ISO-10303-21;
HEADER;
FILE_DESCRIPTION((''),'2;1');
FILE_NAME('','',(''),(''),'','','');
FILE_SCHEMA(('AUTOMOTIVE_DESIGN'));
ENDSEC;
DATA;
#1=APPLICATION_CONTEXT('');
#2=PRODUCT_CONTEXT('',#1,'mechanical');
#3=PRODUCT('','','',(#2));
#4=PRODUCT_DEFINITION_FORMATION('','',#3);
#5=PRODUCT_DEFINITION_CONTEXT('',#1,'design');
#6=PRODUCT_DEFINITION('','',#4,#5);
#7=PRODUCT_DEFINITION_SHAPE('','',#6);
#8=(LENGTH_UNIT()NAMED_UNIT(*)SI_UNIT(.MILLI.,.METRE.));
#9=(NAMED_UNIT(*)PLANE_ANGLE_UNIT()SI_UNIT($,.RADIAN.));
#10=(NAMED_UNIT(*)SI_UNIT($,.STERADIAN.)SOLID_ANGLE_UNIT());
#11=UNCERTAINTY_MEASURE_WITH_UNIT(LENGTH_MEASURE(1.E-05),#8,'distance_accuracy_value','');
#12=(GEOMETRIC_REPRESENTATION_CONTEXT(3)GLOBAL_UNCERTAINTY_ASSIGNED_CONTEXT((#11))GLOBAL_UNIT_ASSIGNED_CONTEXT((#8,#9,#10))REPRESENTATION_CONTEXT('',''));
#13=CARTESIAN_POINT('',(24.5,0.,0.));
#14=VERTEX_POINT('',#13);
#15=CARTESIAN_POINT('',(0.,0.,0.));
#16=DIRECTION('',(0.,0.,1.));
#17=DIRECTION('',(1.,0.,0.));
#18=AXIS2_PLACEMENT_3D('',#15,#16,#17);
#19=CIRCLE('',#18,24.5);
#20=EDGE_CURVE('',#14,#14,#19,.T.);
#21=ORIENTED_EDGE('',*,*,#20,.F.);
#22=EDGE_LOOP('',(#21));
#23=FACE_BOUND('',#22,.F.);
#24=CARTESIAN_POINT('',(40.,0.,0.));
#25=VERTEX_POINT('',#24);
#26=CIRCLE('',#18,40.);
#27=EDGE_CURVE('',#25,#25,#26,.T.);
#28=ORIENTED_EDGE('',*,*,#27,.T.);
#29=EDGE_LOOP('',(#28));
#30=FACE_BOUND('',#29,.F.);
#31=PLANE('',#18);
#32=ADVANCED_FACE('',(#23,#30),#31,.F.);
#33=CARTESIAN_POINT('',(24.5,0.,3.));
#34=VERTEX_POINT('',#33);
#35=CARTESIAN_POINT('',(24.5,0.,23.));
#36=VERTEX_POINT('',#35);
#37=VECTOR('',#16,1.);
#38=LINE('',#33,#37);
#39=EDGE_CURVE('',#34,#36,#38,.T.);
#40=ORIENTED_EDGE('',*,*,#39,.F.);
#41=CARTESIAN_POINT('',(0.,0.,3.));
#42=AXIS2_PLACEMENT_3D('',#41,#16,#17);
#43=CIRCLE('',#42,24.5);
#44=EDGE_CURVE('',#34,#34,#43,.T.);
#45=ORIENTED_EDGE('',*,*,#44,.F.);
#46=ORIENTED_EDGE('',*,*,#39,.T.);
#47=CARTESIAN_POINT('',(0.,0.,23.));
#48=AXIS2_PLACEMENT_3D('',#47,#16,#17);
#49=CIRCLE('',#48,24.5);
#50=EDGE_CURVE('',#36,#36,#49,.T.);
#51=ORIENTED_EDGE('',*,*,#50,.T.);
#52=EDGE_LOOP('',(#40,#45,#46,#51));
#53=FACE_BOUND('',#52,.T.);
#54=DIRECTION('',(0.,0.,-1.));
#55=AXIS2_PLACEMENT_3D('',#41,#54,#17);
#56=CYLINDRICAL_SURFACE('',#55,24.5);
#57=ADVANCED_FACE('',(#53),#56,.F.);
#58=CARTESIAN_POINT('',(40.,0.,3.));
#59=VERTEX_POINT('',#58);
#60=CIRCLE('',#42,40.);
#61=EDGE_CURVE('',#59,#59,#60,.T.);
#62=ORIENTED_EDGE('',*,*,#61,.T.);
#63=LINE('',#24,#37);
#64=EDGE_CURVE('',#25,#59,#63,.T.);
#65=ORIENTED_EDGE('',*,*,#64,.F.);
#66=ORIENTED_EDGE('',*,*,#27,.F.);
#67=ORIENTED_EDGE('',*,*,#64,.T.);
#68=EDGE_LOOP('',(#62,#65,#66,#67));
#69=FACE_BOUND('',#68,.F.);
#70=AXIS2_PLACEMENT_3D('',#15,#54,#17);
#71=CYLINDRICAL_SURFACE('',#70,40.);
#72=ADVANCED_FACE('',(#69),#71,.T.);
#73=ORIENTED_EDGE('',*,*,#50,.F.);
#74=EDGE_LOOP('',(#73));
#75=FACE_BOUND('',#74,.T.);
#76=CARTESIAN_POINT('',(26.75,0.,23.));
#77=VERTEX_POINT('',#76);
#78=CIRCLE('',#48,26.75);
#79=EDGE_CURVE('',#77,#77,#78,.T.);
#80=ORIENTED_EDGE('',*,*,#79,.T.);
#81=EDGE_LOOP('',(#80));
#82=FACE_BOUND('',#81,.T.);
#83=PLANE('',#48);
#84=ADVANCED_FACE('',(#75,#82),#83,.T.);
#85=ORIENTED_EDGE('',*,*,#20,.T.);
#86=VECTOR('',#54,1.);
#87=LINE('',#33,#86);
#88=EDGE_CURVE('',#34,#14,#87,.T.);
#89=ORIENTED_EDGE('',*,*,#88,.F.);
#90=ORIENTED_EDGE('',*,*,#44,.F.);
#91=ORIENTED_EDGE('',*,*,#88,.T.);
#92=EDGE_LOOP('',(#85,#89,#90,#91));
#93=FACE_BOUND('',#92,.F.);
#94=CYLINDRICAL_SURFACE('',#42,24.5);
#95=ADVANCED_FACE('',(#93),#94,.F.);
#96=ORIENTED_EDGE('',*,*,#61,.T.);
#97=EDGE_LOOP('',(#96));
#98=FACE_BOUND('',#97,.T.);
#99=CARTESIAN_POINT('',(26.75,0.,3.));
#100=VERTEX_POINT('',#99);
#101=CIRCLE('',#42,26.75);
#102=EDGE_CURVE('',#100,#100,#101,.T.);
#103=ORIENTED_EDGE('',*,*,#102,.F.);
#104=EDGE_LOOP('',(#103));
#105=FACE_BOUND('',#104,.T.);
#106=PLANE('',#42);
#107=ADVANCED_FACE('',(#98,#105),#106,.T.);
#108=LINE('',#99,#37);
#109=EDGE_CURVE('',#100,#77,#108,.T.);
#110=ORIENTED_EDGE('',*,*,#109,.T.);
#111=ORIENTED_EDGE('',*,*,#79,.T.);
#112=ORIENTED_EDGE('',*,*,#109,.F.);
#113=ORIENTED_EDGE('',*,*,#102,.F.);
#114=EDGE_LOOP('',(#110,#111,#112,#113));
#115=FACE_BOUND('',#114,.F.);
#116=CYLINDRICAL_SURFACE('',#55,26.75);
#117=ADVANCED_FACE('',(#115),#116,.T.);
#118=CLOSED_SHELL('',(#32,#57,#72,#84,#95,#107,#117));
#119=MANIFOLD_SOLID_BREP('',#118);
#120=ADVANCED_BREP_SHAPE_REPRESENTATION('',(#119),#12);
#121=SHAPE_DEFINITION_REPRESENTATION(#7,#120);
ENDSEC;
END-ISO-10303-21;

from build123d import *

# Parameters (mm, degrees)
F0_R     = 40
F1_DEPTH = 3
F2_R     = 26.75
F2_R_2   = 24.5
F3_DEPTH = 20
F4_DEPTH = 3.001


with BuildPart() as f1:
    # F0 (on Top) → F1 (new body)
    with BuildSketch(Plane.XY):
        Circle(F0_R)
    extrude(amount=F1_DEPTH)

    # F2 (on face) → F3 (join)
    with BuildSketch(Plane.XY.offset(3)):
        Circle(F2_R)
        Circle(F2_R_2, mode=Mode.SUBTRACT)
    extrude(amount=F3_DEPTH)

    # F2 (on face) → F4 (cut, through all)
    with BuildSketch(Plane.XY.offset(3)):
        Circle(F2_R_2)
    extrude(amount=-F4_DEPTH, mode=Mode.SUBTRACT)


solid = f1.part
